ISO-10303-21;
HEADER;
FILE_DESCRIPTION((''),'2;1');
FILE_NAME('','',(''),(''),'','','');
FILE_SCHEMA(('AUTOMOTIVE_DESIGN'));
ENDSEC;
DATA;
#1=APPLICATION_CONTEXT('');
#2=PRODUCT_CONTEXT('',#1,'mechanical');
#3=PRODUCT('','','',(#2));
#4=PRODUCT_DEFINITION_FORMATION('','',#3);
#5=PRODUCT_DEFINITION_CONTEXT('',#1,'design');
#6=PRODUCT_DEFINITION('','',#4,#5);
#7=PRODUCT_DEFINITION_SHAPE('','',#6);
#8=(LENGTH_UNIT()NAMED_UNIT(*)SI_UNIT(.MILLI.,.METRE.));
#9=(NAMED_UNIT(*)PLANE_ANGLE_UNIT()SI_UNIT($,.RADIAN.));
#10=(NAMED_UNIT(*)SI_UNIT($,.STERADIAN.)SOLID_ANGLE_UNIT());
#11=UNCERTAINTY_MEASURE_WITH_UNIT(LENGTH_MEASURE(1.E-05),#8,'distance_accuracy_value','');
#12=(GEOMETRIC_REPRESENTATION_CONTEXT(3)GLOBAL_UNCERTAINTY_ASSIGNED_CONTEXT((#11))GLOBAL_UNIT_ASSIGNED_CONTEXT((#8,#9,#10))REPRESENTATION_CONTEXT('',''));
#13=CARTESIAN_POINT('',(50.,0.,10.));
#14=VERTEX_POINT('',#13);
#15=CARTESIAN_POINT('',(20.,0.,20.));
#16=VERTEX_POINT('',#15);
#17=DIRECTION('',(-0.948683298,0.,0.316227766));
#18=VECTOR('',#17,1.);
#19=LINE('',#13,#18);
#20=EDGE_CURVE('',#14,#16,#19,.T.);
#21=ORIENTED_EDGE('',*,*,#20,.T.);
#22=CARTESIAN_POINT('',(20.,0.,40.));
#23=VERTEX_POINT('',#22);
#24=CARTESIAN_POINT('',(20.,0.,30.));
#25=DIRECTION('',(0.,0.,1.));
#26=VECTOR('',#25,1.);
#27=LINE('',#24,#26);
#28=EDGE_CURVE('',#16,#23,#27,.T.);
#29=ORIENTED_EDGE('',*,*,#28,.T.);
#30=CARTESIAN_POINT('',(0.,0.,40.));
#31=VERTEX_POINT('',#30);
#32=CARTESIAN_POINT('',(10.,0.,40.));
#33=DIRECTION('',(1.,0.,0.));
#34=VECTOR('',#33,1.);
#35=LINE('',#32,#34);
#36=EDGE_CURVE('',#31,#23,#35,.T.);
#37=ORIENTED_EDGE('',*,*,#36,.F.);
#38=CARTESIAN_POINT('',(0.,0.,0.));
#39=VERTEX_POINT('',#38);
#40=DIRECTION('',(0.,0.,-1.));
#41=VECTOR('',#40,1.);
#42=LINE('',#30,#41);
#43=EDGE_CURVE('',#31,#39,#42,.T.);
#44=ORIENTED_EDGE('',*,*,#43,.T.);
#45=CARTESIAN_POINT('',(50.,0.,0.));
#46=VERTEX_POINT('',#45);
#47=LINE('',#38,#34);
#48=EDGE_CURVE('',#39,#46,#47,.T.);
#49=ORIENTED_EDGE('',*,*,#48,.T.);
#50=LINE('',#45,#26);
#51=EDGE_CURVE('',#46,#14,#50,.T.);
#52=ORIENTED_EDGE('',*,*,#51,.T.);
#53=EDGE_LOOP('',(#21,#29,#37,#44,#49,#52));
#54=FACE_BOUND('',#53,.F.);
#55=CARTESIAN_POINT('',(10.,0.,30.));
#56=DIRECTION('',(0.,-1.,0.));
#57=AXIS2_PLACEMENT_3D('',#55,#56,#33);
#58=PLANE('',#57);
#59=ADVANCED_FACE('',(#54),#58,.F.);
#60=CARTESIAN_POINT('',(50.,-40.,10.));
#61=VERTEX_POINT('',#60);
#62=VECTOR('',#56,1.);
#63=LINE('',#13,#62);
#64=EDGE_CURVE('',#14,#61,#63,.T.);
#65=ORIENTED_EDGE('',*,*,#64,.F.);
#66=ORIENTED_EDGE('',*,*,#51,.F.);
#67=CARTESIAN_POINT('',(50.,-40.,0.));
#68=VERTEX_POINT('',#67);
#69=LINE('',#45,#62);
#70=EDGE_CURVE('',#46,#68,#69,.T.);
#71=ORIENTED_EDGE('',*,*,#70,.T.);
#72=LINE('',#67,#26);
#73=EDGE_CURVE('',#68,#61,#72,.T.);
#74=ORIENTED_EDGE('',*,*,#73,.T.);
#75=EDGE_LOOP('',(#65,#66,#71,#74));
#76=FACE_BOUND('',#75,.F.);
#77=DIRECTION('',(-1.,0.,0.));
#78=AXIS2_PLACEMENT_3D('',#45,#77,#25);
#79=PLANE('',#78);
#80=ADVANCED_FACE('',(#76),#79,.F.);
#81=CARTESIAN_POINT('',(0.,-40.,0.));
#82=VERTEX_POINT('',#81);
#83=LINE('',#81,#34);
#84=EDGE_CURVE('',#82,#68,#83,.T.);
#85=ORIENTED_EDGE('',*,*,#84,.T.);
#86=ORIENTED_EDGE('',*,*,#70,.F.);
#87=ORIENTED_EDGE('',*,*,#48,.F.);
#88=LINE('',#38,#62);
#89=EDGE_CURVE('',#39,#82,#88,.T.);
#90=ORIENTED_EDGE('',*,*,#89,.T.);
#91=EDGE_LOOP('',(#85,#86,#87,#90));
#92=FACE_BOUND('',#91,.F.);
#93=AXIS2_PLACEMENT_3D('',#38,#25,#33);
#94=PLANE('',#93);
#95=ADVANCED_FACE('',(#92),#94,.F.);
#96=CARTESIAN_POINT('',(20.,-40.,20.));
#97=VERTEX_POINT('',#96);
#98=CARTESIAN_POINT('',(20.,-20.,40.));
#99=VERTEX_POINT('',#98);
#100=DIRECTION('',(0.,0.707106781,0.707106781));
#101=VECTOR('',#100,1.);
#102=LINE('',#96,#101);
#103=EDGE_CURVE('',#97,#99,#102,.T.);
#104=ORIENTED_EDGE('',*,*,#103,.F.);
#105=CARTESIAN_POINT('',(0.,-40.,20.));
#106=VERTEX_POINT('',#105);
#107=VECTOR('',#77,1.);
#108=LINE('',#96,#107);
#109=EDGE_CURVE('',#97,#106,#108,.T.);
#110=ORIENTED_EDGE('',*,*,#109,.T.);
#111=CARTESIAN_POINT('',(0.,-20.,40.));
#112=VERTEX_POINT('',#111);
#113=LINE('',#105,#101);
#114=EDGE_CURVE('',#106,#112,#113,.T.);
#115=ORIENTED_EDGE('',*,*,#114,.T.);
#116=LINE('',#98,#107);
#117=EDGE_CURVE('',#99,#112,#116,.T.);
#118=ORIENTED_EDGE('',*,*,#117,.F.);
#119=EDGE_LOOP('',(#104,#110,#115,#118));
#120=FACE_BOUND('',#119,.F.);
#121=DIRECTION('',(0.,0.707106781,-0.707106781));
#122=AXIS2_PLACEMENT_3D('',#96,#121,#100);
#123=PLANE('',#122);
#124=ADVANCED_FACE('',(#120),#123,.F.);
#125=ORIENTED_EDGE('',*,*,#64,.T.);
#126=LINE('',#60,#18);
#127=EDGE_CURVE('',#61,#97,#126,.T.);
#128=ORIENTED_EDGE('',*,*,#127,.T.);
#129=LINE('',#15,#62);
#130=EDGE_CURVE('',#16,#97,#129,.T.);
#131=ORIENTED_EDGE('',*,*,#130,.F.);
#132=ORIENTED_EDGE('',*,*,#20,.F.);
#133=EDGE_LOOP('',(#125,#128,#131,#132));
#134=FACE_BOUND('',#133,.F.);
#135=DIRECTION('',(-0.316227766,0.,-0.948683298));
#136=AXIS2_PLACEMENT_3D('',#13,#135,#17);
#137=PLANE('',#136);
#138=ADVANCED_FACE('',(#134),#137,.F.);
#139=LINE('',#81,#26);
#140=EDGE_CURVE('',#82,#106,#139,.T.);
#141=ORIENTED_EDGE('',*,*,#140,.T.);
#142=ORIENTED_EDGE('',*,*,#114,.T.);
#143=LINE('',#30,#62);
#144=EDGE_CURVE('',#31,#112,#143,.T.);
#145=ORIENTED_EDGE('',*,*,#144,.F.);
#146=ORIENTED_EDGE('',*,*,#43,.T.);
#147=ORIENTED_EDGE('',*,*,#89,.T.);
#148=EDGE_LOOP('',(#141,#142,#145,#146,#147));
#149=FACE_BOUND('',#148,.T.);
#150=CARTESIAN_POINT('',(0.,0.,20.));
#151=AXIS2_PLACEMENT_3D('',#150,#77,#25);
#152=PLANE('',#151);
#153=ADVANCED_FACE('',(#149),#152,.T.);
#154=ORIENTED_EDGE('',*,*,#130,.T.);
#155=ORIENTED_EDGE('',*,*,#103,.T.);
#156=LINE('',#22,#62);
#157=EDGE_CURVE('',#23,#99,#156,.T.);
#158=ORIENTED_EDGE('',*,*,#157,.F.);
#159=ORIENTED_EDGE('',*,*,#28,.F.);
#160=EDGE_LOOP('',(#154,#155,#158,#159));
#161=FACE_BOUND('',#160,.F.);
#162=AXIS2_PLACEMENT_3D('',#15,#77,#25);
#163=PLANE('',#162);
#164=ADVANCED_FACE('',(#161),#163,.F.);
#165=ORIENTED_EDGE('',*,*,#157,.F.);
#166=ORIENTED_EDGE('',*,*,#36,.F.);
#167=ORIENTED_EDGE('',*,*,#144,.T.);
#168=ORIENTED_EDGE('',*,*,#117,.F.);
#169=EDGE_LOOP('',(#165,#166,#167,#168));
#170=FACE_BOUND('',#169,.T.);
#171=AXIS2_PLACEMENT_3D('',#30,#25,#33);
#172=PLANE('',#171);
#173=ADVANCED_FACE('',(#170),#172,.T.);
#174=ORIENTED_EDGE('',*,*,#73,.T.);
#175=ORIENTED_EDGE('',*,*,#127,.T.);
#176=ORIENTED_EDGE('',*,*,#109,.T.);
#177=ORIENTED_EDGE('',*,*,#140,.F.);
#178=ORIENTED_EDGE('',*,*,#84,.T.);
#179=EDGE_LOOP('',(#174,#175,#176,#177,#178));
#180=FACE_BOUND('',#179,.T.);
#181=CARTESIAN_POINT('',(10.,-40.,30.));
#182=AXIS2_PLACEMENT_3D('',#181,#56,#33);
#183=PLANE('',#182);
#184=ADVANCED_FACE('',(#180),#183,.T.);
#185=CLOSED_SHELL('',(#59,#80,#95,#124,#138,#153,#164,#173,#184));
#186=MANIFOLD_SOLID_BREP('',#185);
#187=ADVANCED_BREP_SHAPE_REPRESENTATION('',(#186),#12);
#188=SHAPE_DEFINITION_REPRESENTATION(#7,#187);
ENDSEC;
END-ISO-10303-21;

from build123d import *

# Parameters (mm, degrees)
F1_DEPTH = 40
F0_W     = 20
F0_H     = 20
F2_DEPTH = 40
F4_DEPTH = 20


with BuildPart() as f1:
    # F0 (on Front) → F1 (new body)
    with BuildSketch(Plane.XZ):
        Polygon((0, 20), (0, 0), (50, 0), (50, 10), (20, 20), align=None)
    extrude(amount=F1_DEPTH)

    # F0 (on Front) → F2 (join)
    with BuildSketch(Plane.XZ):
        with Locations((10, 30)):
            Rectangle(F0_W, F0_H)
    extrude(amount=F2_DEPTH)

    # F3 (on face) → F4 (cut)
    with BuildSketch(Plane.YZ.offset(20)):
        Polygon((-40, 20), (-20, 40), (-40, 40), align=None)
    extrude(amount=-F4_DEPTH, mode=Mode.SUBTRACT)


solid = f1.part
